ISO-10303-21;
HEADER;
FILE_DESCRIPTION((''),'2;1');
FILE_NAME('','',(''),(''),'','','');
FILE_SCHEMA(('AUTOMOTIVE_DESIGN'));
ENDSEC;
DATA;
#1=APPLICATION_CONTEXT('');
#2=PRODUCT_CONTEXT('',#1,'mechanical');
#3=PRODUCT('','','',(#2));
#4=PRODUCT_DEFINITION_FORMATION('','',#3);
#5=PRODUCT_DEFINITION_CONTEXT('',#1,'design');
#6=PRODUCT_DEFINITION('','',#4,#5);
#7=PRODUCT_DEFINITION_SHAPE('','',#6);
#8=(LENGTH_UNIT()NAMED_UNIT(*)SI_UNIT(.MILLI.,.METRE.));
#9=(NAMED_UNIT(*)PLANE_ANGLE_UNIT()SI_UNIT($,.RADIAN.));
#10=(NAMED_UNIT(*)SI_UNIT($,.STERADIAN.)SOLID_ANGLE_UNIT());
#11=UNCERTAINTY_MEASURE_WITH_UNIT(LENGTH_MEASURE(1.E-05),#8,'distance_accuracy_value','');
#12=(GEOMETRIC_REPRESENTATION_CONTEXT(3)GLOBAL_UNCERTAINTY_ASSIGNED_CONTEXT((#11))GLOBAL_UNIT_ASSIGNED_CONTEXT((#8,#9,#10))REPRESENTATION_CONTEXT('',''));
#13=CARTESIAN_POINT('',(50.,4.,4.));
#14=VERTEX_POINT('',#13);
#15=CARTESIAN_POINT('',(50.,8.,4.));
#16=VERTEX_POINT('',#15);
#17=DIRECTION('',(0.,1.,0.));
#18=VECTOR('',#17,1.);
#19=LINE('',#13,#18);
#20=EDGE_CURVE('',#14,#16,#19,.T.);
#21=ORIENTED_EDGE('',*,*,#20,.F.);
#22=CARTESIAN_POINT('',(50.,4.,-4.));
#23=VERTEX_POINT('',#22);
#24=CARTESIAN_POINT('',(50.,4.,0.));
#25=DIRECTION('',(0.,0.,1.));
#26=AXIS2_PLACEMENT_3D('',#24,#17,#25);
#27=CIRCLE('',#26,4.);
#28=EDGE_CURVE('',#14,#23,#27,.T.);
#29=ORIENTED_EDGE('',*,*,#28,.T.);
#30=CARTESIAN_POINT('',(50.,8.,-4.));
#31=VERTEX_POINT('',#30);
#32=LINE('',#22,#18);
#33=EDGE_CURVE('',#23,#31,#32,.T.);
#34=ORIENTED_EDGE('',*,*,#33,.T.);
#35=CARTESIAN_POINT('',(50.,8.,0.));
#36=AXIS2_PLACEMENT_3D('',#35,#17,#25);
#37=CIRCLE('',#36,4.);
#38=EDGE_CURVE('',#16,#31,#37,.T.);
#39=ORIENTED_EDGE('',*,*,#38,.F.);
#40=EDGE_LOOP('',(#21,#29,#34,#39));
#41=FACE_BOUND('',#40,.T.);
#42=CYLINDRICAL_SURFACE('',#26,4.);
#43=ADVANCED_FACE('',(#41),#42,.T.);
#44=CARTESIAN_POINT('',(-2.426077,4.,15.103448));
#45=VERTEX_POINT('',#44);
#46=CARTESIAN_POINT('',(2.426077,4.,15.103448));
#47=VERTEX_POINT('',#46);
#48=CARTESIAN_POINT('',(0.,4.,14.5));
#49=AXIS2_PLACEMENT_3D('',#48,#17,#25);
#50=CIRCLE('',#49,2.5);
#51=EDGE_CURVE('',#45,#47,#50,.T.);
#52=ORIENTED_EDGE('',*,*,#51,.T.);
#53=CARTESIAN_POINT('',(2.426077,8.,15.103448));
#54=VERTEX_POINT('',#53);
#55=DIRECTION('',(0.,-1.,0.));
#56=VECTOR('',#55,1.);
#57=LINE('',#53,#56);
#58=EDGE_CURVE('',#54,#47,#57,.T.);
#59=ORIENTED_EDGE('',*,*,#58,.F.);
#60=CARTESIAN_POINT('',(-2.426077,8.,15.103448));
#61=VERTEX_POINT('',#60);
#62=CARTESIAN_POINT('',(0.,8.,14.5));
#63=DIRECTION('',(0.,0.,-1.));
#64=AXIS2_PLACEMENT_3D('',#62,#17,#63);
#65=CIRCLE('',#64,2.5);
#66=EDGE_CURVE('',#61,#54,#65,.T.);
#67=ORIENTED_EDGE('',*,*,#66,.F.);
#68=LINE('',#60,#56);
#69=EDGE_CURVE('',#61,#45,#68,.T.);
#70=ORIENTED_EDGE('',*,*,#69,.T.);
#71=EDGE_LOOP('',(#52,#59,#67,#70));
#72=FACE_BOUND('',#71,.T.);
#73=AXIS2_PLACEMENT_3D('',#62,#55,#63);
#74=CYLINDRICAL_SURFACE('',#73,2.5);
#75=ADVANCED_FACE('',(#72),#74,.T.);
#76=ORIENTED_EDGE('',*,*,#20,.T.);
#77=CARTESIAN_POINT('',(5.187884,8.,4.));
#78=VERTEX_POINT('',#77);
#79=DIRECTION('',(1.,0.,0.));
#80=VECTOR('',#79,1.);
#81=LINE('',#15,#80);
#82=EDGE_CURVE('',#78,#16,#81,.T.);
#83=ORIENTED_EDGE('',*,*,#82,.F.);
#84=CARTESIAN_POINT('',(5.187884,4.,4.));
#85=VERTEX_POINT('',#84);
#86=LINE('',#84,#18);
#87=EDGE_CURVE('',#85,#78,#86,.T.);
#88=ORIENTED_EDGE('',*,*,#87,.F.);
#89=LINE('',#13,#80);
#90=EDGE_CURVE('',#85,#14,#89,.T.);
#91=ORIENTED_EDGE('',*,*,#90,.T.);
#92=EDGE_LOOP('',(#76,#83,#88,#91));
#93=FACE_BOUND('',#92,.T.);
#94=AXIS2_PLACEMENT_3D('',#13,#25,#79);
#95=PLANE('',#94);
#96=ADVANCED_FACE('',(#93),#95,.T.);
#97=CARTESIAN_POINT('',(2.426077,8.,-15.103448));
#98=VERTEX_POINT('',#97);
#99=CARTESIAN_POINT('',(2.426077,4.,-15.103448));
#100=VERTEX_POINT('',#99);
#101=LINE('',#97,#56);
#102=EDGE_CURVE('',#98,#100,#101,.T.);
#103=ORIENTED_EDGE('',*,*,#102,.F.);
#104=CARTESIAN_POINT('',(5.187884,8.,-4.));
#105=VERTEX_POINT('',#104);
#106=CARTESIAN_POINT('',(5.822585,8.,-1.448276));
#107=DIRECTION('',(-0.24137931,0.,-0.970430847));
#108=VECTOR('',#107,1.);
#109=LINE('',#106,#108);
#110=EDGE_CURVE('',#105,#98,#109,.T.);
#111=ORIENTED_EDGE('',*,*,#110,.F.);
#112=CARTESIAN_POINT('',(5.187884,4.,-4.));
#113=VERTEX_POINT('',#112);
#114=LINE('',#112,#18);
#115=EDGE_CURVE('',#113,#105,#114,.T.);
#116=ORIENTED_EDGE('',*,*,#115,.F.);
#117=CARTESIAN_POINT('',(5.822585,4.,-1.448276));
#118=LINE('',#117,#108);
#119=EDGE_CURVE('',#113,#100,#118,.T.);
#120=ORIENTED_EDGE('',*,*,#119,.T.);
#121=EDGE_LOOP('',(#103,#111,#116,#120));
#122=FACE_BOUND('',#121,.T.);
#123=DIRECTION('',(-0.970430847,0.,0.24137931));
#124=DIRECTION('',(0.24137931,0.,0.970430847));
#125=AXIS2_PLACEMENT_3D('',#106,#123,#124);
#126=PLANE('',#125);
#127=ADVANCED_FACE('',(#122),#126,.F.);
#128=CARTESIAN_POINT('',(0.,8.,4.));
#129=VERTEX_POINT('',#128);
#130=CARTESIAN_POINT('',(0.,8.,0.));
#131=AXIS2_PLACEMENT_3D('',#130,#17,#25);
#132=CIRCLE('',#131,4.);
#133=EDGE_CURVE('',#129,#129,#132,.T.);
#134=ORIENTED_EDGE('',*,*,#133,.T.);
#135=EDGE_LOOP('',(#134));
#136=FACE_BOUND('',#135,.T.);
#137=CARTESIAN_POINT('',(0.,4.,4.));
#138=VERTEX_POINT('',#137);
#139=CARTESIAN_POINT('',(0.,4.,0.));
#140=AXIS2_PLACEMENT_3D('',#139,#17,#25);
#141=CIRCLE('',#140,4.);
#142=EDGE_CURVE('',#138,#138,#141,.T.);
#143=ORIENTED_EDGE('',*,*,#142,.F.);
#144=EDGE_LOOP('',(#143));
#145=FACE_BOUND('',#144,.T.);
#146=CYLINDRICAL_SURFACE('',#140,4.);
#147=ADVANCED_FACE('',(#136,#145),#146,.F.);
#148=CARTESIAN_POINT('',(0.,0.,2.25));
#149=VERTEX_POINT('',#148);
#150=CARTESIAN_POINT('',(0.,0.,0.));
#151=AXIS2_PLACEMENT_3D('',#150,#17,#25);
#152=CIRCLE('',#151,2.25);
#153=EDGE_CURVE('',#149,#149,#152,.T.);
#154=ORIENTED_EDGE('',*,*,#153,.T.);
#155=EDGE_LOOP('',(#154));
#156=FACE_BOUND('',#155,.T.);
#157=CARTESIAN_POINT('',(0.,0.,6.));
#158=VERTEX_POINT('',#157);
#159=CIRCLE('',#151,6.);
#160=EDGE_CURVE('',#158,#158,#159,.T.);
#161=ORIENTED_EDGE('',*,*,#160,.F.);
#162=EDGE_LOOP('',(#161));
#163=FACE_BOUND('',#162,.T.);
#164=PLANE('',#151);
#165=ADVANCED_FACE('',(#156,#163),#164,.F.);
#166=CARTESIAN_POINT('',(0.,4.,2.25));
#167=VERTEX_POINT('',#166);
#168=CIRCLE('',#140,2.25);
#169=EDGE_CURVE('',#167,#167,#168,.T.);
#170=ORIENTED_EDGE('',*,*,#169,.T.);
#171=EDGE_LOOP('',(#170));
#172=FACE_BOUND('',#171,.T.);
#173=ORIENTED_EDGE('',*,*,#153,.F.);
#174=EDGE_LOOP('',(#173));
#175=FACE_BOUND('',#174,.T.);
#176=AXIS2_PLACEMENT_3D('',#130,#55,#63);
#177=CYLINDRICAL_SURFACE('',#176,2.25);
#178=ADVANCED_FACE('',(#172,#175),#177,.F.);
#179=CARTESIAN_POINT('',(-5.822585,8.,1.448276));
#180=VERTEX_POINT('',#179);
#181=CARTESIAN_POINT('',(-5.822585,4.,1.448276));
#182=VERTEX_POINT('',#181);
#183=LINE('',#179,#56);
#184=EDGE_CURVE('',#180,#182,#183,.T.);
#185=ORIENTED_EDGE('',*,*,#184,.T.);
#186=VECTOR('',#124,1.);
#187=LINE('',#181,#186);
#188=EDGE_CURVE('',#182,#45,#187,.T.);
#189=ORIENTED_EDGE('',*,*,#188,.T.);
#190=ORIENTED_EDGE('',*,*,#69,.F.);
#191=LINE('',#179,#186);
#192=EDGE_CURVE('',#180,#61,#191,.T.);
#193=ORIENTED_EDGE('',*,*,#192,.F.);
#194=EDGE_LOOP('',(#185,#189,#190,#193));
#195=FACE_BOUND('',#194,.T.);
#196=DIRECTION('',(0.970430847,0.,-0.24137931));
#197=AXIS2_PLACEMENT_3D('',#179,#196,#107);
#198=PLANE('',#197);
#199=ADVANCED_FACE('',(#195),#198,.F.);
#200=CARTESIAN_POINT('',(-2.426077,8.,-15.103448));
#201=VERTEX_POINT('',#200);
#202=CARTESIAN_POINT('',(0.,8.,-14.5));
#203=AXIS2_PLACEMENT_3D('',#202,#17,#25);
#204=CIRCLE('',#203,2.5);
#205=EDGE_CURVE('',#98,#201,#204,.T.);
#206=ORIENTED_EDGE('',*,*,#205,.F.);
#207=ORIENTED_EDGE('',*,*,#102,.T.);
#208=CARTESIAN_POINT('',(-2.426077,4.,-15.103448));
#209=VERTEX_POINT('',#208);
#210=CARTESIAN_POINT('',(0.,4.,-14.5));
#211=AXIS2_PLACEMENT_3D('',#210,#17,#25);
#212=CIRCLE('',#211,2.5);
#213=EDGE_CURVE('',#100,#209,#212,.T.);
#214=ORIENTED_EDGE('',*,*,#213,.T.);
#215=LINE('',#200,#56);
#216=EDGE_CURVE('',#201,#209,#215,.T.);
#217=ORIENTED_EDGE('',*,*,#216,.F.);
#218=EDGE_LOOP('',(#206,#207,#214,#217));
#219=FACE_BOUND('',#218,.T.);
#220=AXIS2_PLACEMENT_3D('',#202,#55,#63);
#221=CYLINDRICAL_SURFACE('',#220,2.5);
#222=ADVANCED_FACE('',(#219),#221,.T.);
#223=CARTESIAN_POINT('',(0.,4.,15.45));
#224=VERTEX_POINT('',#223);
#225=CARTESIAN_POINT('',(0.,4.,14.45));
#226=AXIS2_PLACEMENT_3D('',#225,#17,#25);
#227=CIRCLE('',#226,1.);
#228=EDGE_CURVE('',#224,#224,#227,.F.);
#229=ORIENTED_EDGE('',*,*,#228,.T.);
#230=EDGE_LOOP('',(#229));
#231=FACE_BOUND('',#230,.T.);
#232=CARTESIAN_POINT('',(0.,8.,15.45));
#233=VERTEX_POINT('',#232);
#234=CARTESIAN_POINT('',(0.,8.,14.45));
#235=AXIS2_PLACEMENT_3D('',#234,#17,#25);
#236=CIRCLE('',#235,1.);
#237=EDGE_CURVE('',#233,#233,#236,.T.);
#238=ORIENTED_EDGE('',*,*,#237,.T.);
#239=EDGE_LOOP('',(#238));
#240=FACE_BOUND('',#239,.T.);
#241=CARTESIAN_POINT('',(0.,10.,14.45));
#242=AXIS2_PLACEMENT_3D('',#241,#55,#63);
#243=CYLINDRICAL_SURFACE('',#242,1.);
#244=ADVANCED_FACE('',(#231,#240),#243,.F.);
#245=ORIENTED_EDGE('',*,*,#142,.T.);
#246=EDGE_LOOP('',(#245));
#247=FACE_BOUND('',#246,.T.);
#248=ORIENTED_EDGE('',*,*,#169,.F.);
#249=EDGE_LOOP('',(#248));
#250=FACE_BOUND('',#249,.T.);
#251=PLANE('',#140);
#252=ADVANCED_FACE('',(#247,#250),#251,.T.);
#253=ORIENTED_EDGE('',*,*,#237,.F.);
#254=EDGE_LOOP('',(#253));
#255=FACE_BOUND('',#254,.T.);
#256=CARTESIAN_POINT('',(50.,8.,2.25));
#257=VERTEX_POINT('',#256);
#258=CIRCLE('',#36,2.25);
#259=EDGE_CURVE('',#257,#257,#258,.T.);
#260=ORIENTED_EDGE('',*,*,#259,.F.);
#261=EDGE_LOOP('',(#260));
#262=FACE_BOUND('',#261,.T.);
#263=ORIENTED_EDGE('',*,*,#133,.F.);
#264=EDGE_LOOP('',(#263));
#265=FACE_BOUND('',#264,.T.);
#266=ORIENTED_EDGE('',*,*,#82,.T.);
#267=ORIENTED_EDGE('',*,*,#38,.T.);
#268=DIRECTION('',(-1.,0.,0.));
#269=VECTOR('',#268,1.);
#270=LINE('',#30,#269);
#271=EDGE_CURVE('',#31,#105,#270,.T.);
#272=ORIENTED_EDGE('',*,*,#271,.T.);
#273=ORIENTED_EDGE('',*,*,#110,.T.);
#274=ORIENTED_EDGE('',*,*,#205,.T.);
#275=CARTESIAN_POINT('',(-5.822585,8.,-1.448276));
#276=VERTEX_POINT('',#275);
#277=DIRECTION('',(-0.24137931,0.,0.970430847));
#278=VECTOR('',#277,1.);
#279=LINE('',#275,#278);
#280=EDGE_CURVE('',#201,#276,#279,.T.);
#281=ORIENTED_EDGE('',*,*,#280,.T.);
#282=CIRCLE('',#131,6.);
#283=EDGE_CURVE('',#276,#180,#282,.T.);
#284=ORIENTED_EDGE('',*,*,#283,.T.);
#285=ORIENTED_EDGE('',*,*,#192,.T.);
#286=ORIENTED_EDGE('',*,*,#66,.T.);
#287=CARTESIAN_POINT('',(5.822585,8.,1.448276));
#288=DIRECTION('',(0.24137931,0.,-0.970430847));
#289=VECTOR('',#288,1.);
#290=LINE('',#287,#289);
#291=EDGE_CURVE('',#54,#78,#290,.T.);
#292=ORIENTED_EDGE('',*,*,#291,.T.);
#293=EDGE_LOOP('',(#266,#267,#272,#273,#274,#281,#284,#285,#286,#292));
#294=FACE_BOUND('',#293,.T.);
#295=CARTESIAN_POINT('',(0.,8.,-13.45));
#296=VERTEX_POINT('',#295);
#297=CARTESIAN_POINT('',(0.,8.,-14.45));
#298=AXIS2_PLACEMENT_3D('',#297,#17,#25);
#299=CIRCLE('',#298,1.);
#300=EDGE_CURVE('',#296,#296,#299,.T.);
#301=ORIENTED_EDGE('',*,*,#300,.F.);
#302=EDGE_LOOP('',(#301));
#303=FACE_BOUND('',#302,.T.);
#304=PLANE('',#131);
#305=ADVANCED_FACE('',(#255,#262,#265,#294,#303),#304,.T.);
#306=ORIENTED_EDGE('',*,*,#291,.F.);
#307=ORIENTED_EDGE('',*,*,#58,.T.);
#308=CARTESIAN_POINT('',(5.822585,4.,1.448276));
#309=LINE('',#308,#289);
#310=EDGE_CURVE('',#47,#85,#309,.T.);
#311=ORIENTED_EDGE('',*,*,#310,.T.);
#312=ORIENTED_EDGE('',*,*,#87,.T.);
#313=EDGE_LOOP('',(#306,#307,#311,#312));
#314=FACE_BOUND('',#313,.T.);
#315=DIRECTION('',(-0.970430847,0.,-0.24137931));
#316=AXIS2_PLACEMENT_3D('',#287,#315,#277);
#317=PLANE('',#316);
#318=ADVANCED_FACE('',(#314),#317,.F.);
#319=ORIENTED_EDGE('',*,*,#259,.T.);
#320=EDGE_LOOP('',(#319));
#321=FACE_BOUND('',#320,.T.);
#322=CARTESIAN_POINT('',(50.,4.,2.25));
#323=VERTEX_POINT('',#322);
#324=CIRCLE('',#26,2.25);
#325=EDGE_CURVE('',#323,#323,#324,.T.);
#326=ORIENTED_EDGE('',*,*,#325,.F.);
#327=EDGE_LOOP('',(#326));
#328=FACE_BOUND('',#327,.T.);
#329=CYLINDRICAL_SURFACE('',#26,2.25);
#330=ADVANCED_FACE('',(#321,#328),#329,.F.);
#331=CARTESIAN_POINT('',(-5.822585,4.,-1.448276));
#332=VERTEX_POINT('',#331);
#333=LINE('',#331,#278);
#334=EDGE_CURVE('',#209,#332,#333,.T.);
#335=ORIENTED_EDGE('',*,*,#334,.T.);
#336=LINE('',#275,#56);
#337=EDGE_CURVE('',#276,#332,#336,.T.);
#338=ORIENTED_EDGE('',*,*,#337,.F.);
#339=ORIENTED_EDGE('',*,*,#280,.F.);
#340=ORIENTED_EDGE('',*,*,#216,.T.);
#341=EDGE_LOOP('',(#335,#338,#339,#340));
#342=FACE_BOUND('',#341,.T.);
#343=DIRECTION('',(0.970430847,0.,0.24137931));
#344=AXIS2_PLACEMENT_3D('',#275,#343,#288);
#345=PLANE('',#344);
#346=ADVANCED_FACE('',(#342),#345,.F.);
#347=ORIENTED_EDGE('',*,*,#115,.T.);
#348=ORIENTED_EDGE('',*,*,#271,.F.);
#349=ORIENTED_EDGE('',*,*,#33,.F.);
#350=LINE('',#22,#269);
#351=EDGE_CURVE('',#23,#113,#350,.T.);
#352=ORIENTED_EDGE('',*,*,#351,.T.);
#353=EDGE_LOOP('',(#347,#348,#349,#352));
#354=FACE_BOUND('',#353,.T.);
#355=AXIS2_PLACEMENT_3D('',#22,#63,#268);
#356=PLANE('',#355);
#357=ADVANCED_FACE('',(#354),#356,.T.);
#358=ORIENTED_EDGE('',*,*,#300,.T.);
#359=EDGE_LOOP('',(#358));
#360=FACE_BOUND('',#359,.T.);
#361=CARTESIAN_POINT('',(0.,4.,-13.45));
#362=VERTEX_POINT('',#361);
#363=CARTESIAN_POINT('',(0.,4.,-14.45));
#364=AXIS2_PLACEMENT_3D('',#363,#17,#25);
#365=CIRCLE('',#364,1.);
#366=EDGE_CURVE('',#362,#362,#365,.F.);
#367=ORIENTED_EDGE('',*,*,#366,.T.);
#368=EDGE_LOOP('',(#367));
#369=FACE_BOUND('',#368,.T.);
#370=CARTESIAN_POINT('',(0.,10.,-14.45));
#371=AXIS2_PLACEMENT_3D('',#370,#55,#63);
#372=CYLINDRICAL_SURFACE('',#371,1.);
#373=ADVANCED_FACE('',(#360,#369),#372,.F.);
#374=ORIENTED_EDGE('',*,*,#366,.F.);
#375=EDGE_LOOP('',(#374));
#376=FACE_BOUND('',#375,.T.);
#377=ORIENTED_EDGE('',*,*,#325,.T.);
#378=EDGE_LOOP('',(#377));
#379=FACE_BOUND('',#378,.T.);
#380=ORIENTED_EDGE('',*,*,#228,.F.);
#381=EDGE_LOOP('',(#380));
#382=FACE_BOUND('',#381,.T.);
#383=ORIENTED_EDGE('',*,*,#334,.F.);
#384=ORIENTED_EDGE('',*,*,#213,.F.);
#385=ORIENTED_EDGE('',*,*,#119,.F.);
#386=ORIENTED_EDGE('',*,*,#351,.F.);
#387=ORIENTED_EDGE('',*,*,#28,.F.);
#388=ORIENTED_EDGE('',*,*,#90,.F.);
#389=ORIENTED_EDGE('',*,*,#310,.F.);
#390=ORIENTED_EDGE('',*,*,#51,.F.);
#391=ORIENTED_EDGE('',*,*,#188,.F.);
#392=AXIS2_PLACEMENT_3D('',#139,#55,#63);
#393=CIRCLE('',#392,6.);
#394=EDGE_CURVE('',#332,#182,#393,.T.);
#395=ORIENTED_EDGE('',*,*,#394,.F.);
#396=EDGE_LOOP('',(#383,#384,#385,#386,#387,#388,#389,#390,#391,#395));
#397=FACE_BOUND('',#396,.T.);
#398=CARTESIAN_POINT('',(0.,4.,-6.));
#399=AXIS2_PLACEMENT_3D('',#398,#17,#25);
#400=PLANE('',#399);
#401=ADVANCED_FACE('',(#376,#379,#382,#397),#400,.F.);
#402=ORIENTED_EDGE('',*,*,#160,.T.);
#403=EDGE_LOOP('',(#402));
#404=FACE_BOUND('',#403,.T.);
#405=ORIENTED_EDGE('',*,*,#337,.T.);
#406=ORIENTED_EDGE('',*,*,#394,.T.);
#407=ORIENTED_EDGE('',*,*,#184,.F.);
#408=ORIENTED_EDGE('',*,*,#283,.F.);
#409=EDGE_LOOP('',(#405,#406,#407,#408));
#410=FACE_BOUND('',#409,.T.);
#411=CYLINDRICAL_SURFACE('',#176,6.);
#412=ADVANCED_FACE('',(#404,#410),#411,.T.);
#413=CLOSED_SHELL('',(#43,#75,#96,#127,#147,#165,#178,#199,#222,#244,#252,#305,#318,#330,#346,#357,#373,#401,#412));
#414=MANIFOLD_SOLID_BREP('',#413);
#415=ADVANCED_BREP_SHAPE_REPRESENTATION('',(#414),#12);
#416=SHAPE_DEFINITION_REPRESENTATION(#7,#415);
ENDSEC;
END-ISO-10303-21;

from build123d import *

# Parameters (mm, degrees)
SKETCH1_R           = 2.25
BOSS_EXTRUDE1_DEPTH = 8
SKETCH2_R           = 1
CUT_EXTRUDE1_DEPTH  = 10
SKETCH3_W           = 12
SKETCH3_H           = 4
SKETCH4_R           = 2.25
BOSS_EXTRUDE2_DEPTH = 4
SKETCH5_R           = 4
CUT_EXTRUDE2_DEPTH  = 4


with BuildPart() as part:
    # Sketch1 → Boss-Extrude1 (new body)
    with BuildSketch(Plane(origin=(0, 0, 0), x_dir=(1, 0, 0), z_dir=(0, 1, 0))):
        with BuildLine():
            Line((-5.822585081, 1.448275862), (-2.426077117, 15.103448276))
            ThreePointArc((-2.426077117, 15.103448276), (0, 17), (2.426077117, 15.103448276))
            Line((2.426077117, 15.103448276), (5.822585081, 1.448275862))
            ThreePointArc((5.822585081, 1.448275862), (6, 0), (5.822585081, -1.448275862))
            Line((5.822585081, -1.448275862), (2.426077117, -15.103448276))
            ThreePointArc((2.426077117, -15.103448276), (0, -17), (-2.426077117, -15.103448276))
            Line((-2.426077117, -15.103448276), (-5.822585081, -1.448275862))
            ThreePointArc((-5.822585081, -1.448275862), (-6, 0), (-5.822585081, 1.448275862))
        make_face()
        with Locations(Location((0, 0, 0), (0, 0, 270))):
            Circle(SKETCH1_R, mode=Mode.SUBTRACT)
    extrude(amount=BOSS_EXTRUDE1_DEPTH)

    # Sketch2 → Cut-Extrude1 (cut)
    with BuildSketch(Plane.XZ):
        with Locations(Location((0, -14.45, 0), (0, 0, 270))):
            Circle(SKETCH2_R)
        with Locations(Location((0, 14.45, 0), (0, 0, 90))):
            Circle(SKETCH2_R)
    extrude(amount=-CUT_EXTRUDE1_DEPTH, mode=Mode.SUBTRACT)

    # Sketch3 → Cut-Revolve1 (revolve, cut)
    with BuildSketch(Plane(origin=(0, 0, 0), x_dir=(0, 0, -1), z_dir=(1, 0, 0)), mode=Mode.PRIVATE) as cut_revolve1_sk:
        with Locations((12, 2)):
            Rectangle(SKETCH3_W, SKETCH3_H)
    revolve(cut_revolve1_sk.sketch.rotate(Axis((0, 0, 0), (0, 1, 0)), 76.032037325), axis=Axis((0, 0, 0), (0, 1, 0)), mode=Mode.SUBTRACT)

    # Sketch4 → Boss-Extrude2 (add)
    with BuildSketch(Plane(origin=(0, 8, 0), x_dir=(1, 0, 0), z_dir=(0, 1, 0))):
        with BuildLine():
            Line((50, 4), (5.187884098, 4))
            Line((5.187884098, 4), (5.187884098, -4))
            Line((5.187884098, -4), (50, -4))
            ThreePointArc((50, -4), (54, 0), (50, 4))
        make_face()
        with Locations(Location((50, 0, 0), (0, 0, 270))):
            Circle(SKETCH4_R, mode=Mode.SUBTRACT)
    extrude(amount=-BOSS_EXTRUDE2_DEPTH)

    # Sketch5 → Cut-Extrude2 (cut)
    with BuildSketch(Plane(origin=(0, 8, 0), x_dir=(1, 0, 0), z_dir=(0, 1, 0))):
        with Locations(Location((0, 0, 0), (0, 0, 270))):
            Circle(SKETCH5_R)
    extrude(amount=-CUT_EXTRUDE2_DEPTH, mode=Mode.SUBTRACT)


solid = part.part
